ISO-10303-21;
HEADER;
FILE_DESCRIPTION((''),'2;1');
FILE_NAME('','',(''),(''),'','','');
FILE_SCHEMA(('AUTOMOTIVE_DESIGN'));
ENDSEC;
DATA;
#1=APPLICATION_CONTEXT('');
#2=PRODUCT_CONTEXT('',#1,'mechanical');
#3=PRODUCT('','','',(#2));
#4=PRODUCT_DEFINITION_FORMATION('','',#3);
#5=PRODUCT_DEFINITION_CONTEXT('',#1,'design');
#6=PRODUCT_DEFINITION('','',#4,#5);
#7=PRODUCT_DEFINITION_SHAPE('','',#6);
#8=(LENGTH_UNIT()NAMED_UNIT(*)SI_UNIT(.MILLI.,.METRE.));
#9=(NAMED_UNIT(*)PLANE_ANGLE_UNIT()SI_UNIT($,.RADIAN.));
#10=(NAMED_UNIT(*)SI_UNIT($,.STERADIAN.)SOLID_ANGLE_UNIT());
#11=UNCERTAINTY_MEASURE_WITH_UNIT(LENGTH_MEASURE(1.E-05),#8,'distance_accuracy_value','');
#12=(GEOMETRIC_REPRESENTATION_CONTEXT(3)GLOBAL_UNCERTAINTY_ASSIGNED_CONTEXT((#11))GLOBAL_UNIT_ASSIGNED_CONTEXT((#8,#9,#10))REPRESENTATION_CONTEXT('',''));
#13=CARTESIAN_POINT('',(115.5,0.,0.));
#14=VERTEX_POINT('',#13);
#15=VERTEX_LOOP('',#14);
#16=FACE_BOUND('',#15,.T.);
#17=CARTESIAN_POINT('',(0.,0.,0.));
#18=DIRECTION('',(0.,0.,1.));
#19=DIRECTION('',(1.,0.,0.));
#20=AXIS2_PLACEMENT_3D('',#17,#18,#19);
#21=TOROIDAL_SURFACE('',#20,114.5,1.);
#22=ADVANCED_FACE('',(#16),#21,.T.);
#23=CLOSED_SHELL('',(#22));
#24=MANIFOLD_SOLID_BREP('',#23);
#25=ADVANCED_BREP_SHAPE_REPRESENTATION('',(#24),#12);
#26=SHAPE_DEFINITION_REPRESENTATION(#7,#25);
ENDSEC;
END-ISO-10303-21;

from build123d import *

# Parameters (mm, degrees)
SKETCH6_R = 1


with BuildPart() as part:
    # Sketch6 → Revolve1 (revolve)
    with BuildSketch(Plane(origin=(0, 0, 0), x_dir=(0, 0, -1), z_dir=(1, 0, 0)), mode=Mode.PRIVATE) as revolve1_sk:
        with Locations((0, 114.5)):
            Circle(SKETCH6_R)
    revolve(revolve1_sk.sketch.rotate(Axis((0, 0, 0), (0, 0, -1)), 90), axis=Axis((0, 0, 0), (0, 0, -1)))


solid = part.part
